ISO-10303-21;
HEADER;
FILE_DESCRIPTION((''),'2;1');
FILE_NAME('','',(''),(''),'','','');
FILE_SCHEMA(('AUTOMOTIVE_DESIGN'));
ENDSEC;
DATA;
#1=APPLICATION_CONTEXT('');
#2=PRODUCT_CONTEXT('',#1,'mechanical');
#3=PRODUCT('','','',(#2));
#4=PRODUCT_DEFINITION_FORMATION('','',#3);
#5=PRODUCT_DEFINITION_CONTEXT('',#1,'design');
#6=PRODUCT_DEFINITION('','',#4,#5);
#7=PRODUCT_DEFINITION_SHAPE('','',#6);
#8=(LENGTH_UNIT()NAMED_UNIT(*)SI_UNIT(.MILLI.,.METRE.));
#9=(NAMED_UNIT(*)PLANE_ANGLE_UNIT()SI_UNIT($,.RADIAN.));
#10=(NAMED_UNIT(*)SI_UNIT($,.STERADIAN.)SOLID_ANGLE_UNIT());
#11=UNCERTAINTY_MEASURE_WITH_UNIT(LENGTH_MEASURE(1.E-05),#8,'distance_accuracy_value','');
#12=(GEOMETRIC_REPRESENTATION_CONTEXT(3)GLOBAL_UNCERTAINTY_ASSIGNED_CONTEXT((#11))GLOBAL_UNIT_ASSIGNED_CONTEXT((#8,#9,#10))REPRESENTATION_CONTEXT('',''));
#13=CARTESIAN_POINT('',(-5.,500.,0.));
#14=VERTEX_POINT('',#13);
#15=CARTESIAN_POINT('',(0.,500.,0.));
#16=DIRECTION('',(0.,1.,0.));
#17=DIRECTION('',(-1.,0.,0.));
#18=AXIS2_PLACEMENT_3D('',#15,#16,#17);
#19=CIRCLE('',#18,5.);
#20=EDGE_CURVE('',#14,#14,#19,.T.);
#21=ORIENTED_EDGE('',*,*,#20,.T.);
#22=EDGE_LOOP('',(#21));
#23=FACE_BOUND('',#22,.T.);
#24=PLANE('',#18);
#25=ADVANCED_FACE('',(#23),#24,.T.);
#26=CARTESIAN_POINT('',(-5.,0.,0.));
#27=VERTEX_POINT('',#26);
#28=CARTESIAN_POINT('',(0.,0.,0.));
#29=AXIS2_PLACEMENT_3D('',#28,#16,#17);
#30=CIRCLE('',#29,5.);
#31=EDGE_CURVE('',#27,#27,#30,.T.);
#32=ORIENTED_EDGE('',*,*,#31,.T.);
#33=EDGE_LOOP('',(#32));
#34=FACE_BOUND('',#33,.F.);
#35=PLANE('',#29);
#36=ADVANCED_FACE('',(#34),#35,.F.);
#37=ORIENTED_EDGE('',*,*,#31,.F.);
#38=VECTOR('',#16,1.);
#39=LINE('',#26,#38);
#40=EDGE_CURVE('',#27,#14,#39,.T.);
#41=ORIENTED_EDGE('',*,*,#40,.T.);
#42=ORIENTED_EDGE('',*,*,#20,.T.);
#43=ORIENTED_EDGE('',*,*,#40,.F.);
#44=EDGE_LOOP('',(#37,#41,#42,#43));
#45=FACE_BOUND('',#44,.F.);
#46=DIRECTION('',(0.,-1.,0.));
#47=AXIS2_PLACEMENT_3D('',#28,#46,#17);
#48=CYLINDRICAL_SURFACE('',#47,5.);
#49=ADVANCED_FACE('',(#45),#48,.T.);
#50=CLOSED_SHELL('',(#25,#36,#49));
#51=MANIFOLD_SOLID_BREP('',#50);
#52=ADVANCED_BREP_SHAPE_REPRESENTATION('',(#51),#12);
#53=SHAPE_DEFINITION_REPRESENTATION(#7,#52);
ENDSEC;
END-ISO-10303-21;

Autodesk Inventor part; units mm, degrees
ref_plane "YZ Plane" through (0, 0, 0) normal (1, 0, 0) x (0, 1, 0)
ref_plane "XZ Plane" through (0, 0, 0) normal (0, 1, 0) x (-1, 0, 0)
ref_plane "XY Plane" through (0, 0, 0) normal (0, 0, 1) x (1, 0, 0)
sketch "Sketch1" plane through (0, 0, 0) normal (0, 1, 0) x (-1, 0, 0)
  circle A0 centre (0, 0) radius 5
  dimension "d0" = 10
extrude "Extrusion1" add sketch "Sketch1" along normal blind 500
properties part number "e_circuler rod 400mm"
